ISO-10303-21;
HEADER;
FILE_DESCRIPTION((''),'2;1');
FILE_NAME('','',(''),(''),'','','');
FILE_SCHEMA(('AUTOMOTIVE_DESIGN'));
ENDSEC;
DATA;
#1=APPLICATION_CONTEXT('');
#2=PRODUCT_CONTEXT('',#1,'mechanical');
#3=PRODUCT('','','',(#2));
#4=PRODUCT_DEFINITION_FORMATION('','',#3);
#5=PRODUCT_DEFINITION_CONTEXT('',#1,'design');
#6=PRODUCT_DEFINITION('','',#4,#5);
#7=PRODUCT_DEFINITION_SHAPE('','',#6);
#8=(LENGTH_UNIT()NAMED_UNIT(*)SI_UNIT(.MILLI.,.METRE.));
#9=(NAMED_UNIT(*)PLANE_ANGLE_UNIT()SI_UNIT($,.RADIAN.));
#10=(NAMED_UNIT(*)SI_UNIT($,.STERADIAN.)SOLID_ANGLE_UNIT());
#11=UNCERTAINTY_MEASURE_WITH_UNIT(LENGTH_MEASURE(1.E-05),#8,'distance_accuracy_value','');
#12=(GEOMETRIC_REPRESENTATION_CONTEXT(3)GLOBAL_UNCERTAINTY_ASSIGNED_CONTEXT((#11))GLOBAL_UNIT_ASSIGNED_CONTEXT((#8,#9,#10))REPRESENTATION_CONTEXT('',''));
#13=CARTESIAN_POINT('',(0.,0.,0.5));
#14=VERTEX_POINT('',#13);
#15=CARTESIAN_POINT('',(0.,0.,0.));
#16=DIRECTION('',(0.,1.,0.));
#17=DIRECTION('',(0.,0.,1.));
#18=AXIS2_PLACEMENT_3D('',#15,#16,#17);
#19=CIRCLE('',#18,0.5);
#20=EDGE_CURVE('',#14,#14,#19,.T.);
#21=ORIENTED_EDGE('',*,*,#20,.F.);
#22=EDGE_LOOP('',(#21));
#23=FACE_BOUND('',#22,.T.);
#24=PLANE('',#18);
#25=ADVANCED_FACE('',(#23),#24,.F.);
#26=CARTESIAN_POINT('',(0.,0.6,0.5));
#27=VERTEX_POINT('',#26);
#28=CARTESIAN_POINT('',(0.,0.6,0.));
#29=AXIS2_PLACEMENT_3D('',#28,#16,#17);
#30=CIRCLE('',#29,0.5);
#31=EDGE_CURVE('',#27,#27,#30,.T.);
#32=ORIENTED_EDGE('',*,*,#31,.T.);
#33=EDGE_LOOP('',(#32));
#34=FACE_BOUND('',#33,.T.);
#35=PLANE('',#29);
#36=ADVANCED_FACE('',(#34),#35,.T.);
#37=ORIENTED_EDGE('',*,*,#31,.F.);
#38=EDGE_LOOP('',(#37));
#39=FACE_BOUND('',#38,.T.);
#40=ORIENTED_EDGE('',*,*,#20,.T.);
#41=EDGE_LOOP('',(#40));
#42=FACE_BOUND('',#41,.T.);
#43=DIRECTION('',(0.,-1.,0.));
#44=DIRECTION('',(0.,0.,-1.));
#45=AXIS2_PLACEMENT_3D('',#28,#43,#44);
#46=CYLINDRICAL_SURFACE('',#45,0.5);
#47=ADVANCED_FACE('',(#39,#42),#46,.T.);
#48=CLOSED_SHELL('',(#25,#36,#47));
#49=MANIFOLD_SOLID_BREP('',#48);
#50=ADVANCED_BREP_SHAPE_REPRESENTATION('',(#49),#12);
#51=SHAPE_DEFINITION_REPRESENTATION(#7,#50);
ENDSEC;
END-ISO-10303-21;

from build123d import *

# Parameters (mm, degrees)
ESQUISSE1_R      = 0.5
EXTRUSION1_DEPTH = 0.6


with BuildPart() as part:
    # Esquisse1 → Extrusion1 (new body)
    with BuildSketch(Plane(origin=(0, 0, 0), x_dir=(1, 0, 0), z_dir=(0, 1, 0))):
        with Locations(Location((0, 0, 0), (0, 0, 270))):  # turned: the seam where the file's is
            Circle(ESQUISSE1_R)
    extrude(amount=EXTRUSION1_DEPTH)


solid = part.part
